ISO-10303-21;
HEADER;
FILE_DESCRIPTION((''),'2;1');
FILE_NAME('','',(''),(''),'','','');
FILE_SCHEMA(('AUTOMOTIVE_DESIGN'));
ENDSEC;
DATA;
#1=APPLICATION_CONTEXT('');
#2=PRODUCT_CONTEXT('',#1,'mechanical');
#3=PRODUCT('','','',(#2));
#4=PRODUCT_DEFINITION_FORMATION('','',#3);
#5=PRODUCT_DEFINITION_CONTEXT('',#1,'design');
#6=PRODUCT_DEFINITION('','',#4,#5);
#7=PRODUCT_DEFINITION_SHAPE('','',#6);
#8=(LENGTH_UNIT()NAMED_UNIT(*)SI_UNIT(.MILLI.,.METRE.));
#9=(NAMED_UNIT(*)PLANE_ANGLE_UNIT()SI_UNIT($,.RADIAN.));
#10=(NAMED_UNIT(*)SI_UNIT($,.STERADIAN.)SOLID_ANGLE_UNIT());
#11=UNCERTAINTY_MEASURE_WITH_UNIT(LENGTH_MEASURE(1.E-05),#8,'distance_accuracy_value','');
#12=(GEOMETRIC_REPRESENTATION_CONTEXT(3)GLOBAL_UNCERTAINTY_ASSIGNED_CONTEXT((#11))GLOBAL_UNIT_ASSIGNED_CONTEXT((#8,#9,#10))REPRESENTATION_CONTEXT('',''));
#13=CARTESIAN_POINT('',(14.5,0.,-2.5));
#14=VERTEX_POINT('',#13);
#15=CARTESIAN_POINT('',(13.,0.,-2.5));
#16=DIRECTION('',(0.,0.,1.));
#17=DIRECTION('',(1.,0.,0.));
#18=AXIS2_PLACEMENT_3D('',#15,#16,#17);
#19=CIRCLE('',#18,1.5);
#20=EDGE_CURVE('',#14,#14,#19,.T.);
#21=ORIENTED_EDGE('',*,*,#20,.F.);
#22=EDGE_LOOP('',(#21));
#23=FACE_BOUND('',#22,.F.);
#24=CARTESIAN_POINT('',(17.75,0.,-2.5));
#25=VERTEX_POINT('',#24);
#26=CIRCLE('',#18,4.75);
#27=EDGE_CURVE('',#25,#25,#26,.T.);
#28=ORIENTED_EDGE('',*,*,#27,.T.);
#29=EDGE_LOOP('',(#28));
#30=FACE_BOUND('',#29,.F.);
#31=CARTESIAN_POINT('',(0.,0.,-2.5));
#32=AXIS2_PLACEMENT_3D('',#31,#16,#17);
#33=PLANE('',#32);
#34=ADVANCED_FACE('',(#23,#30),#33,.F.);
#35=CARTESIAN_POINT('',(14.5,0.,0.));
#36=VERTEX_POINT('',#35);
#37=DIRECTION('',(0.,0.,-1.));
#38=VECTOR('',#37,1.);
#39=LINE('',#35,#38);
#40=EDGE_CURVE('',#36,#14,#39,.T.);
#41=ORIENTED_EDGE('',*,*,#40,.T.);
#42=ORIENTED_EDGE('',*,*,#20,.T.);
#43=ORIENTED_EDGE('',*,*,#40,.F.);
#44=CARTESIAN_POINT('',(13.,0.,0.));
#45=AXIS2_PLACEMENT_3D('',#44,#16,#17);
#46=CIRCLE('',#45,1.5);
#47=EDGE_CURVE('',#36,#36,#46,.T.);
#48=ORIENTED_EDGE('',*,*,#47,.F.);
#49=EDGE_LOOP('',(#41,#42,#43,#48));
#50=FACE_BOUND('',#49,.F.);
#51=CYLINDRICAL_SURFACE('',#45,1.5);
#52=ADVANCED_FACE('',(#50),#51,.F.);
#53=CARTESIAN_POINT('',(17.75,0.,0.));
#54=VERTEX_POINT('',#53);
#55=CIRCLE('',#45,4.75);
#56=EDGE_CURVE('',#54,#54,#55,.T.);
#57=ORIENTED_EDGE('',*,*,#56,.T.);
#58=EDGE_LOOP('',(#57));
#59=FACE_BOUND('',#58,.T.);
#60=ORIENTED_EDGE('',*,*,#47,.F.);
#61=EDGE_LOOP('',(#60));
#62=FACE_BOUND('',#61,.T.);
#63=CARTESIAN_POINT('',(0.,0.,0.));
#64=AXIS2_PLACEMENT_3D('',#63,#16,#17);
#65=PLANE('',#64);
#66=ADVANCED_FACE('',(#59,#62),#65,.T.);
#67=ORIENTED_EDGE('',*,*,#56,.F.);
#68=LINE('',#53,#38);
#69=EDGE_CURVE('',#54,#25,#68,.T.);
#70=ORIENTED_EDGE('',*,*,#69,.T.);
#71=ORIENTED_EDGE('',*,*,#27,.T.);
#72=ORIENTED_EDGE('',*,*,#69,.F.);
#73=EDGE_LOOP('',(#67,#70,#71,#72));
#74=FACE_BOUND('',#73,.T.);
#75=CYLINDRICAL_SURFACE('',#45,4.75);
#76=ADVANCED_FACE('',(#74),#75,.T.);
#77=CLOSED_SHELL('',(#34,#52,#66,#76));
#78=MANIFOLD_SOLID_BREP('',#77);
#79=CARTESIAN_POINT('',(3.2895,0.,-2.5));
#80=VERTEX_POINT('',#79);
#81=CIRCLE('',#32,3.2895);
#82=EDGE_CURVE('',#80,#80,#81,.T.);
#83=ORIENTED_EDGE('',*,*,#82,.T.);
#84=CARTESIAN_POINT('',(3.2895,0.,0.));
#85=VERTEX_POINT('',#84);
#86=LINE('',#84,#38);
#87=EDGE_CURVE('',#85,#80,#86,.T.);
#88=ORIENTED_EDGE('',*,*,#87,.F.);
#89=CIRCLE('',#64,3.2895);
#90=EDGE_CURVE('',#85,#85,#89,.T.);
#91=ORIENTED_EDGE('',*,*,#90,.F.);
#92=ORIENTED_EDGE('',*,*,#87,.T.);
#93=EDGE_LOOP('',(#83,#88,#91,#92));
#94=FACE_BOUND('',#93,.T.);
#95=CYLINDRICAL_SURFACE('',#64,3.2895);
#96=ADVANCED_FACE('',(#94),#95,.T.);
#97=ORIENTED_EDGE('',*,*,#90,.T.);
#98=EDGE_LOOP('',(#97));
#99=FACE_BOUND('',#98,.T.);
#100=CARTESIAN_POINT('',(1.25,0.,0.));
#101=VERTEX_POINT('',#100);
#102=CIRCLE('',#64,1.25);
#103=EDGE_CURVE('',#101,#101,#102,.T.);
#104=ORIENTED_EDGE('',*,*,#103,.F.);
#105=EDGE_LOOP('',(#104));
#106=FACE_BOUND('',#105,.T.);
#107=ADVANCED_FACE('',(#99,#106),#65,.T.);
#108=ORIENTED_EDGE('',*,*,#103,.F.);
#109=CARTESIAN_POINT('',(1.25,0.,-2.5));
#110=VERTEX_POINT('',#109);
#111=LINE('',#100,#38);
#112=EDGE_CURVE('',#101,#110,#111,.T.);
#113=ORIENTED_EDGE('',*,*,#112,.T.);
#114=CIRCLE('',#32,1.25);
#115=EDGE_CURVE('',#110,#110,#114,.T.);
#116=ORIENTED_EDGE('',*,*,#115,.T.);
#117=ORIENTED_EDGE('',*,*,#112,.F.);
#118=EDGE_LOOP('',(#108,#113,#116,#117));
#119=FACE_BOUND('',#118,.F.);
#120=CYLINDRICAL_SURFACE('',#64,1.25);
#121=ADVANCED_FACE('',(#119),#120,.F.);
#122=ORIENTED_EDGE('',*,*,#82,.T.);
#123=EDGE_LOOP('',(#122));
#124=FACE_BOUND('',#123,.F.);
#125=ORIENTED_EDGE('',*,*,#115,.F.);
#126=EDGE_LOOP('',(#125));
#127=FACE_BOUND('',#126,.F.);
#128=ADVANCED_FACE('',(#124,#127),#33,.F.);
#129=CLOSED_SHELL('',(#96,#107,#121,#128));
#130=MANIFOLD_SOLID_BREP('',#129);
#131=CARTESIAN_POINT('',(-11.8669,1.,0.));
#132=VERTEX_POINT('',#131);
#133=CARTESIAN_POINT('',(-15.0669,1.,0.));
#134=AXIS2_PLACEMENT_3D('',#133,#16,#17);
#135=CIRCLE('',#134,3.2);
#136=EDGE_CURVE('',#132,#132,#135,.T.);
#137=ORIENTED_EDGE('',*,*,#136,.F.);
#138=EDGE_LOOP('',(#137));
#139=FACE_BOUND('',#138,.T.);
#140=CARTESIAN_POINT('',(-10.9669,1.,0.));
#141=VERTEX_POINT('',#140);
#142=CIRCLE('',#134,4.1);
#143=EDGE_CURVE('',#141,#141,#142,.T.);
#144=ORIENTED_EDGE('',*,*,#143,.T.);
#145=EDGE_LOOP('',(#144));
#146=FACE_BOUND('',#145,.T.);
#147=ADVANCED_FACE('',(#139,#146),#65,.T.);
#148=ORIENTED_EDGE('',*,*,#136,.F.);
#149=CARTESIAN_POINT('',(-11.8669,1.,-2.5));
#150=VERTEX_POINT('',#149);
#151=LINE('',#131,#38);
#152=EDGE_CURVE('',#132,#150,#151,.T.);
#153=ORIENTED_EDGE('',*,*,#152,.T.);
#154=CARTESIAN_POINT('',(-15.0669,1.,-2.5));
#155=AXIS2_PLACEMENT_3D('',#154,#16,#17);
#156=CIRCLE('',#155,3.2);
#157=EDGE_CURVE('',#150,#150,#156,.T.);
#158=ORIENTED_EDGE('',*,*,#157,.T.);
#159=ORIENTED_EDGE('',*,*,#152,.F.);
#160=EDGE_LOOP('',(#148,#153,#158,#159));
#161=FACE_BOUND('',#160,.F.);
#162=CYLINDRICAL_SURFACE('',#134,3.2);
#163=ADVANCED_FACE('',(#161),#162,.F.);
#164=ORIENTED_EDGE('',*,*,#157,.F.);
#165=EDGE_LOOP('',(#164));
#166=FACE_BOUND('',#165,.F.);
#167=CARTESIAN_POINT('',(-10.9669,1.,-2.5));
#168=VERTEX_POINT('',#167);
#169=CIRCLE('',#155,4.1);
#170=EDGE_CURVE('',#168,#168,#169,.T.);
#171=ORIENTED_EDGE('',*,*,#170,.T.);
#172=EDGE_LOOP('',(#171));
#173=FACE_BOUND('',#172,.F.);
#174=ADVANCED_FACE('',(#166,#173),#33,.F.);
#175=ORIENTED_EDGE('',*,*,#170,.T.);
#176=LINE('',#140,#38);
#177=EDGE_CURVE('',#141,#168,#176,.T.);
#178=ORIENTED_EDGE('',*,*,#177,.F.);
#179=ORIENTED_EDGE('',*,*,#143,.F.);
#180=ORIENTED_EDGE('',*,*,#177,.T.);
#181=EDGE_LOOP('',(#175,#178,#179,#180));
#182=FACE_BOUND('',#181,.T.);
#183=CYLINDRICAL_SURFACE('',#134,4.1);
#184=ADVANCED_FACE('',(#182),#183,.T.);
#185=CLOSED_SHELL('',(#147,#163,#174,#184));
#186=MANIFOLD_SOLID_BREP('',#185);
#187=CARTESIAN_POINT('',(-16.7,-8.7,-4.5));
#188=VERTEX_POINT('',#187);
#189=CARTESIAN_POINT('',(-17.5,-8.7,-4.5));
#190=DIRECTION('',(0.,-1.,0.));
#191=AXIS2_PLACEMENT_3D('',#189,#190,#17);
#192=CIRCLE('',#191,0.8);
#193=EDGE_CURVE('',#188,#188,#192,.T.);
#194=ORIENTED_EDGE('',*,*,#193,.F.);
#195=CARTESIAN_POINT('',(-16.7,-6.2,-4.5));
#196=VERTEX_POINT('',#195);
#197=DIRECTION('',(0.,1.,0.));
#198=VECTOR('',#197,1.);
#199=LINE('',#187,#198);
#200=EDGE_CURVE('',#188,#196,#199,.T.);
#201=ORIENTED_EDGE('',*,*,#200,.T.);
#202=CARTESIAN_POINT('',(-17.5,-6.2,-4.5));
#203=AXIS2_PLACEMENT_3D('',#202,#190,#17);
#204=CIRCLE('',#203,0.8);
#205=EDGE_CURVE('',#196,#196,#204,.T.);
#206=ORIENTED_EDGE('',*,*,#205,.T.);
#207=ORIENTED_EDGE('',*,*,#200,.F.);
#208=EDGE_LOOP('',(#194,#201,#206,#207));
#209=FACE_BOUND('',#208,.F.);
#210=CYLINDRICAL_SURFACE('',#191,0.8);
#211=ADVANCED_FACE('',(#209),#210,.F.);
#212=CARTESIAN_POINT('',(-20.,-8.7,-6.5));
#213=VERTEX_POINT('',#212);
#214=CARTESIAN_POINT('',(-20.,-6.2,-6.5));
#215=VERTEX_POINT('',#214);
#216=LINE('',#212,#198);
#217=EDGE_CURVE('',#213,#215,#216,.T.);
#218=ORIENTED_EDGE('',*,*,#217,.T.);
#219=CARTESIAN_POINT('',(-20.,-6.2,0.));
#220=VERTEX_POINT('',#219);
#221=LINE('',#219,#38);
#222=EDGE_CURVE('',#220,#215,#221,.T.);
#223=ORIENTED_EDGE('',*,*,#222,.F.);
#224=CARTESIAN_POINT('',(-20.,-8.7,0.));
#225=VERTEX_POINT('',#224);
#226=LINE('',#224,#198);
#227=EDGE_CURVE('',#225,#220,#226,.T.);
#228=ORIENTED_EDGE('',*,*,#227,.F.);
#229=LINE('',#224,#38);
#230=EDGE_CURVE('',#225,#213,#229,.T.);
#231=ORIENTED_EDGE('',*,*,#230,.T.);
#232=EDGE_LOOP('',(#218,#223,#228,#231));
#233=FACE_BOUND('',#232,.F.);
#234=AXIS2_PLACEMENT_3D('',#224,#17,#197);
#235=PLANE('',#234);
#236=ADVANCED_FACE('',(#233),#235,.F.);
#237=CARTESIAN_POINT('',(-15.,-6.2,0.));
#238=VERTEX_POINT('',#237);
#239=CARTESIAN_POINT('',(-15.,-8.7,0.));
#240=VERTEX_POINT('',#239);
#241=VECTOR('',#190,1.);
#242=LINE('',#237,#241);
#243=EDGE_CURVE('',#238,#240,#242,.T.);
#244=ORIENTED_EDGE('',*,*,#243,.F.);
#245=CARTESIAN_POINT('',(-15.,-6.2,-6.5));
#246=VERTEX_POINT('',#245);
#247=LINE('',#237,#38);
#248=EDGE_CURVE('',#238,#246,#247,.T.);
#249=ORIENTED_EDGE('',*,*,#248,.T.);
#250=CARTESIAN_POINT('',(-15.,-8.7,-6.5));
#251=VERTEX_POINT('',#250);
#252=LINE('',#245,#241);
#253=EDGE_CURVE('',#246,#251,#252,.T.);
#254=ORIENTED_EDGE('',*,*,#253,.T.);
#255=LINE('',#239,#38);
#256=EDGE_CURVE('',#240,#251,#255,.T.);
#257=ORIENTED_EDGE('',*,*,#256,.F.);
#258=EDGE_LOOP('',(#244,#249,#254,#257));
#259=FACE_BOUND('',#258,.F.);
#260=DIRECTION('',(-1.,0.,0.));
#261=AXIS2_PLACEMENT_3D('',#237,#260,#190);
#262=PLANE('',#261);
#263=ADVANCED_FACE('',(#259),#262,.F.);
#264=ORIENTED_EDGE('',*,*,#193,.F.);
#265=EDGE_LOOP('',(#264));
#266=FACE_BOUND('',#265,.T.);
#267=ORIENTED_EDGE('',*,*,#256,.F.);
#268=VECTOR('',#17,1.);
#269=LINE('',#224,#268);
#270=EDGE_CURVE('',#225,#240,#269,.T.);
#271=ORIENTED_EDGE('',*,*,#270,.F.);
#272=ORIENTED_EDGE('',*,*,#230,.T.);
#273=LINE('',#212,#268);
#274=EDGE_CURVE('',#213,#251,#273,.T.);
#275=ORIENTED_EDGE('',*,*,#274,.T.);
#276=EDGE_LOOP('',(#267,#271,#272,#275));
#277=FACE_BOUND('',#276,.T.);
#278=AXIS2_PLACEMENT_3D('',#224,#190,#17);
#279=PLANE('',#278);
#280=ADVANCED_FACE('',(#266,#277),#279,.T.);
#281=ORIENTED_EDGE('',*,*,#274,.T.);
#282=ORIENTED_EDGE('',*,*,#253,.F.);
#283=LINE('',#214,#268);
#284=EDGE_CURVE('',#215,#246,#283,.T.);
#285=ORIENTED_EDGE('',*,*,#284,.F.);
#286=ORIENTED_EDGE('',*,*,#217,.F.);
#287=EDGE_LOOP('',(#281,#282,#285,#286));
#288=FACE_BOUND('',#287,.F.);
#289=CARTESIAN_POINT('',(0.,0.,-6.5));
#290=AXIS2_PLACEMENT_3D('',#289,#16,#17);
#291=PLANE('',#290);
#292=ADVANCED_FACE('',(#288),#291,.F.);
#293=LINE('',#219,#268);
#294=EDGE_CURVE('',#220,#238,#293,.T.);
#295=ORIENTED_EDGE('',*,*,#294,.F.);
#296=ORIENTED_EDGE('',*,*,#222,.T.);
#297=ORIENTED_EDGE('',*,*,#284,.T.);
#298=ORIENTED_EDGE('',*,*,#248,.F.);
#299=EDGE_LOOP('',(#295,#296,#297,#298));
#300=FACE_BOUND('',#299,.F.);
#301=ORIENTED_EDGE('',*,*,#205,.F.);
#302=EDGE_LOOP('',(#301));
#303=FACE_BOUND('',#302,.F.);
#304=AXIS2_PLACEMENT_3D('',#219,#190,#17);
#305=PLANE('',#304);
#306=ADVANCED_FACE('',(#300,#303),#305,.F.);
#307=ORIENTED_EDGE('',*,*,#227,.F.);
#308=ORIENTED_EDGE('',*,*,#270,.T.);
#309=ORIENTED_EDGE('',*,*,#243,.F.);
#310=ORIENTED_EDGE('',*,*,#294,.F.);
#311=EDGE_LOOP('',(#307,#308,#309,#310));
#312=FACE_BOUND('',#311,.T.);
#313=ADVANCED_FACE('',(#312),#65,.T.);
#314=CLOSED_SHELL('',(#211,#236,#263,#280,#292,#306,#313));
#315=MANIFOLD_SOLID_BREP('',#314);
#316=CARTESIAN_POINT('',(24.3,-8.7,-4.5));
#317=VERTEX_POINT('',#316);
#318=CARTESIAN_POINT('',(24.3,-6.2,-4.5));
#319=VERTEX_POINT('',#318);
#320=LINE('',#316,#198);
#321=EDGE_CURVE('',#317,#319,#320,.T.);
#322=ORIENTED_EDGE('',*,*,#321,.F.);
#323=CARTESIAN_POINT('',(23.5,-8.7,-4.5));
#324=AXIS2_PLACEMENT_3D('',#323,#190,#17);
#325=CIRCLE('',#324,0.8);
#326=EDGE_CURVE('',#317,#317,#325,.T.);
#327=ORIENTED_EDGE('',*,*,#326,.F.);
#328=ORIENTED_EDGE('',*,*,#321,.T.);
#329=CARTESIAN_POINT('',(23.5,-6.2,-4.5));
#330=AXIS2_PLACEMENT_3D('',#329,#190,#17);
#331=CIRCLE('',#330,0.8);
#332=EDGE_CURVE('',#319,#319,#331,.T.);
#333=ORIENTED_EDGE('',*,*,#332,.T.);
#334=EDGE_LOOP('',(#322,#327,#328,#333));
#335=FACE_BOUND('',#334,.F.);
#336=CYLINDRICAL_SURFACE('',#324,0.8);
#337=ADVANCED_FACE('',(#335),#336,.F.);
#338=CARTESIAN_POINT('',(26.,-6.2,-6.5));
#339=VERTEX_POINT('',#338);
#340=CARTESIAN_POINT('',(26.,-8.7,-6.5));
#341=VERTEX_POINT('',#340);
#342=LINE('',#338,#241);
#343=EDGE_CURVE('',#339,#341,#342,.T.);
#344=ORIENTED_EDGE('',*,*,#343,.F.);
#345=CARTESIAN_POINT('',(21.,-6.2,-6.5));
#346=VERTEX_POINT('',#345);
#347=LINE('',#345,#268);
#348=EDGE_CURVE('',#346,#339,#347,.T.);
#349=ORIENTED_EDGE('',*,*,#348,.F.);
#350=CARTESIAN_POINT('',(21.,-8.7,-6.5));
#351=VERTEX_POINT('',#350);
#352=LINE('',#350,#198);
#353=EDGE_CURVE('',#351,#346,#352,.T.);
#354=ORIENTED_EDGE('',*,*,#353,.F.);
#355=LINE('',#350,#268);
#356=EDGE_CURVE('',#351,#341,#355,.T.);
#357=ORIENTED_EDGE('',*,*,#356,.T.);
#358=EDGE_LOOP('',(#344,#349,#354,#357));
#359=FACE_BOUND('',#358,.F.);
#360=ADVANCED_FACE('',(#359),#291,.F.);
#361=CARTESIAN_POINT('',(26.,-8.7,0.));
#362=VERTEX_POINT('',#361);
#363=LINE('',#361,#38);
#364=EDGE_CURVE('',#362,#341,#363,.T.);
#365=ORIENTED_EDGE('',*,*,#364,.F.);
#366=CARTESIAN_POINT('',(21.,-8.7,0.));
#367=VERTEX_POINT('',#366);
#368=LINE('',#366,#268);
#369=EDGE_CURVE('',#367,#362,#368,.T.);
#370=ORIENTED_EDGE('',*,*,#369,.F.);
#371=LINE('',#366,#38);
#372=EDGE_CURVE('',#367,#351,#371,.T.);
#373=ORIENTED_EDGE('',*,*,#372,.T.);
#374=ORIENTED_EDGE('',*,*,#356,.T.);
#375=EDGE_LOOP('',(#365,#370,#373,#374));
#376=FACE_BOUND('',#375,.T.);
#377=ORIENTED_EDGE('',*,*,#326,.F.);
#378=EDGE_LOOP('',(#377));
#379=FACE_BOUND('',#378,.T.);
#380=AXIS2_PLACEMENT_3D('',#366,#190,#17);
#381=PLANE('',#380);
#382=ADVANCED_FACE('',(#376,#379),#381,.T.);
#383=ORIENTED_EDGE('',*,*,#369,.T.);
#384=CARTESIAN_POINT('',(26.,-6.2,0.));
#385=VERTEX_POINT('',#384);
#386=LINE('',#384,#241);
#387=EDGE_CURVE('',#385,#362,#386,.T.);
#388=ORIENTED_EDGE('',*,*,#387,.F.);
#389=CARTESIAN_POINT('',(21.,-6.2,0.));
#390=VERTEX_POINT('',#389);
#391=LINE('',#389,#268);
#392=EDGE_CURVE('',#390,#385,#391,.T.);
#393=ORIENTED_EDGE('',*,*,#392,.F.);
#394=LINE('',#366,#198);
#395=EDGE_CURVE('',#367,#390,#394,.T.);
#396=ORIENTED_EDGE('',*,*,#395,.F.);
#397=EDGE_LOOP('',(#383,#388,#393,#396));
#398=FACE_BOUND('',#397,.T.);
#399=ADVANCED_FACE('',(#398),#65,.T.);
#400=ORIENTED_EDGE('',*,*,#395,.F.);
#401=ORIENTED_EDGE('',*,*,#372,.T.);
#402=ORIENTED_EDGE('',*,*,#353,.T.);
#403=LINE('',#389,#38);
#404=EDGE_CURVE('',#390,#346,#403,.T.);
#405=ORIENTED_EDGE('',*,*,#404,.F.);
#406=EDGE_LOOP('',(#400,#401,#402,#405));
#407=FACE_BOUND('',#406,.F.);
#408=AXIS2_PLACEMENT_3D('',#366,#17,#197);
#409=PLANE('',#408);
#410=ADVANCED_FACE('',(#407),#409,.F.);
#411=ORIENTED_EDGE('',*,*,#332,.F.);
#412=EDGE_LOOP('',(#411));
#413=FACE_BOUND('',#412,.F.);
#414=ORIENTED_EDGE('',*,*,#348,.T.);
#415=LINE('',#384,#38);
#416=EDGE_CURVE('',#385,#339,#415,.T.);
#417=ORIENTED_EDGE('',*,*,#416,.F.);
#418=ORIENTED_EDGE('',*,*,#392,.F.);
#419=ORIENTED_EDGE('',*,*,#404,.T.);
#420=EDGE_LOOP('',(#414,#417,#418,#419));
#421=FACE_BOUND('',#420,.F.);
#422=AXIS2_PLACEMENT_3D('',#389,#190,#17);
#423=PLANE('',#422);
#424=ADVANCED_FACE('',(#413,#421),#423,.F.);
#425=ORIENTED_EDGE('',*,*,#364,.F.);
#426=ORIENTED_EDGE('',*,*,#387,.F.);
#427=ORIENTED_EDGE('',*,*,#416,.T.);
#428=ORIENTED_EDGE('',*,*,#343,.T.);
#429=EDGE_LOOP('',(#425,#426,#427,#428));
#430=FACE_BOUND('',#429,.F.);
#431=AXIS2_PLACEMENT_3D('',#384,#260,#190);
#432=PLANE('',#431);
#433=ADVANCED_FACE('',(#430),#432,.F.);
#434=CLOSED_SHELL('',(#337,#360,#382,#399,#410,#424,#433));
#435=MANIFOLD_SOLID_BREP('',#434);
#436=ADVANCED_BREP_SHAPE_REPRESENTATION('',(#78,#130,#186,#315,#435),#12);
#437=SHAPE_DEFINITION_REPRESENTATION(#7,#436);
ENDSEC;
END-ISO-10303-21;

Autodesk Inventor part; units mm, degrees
ref_plane "YZ Plane" through (0, 0, 0) normal (1, 0, 0) x (0, 1, 0)
ref_plane "XZ Plane" through (0, 0, 0) normal (0, 1, 0) x (-1, 0, 0)
ref_plane "XY Plane" through (0, 0, 0) normal (0, 0, 1) x (1, 0, 0)
sketch "スケッチ1" plane through (0, 0, 0) normal (0, 0, 1) x (1, 0, 0)
  circle A0 centre (0, 0) radius 10.65 construction
  line L0 (0, 0) -> (0, 1) construction
  line L1 (0, 0) -> (1, 0) construction
  circle A1 centre (13, 0) radius 2.25 construction
  circle A2 centre (-15.0669, 1) radius 4.35 construction
  circle A3 centre (0, 0) radius 11.5 construction
  line L2 (-25, -11.5) -> (25, -11.5) construction
  line L3 (-25, -9.7) -> (25, -9.7) construction
  line L4 (-25, -8.7) -> (25, -8.7) construction
  dimension "d0" = 1
  dimension "d2" = 1
  dimension "d3" = 21.3
  dimension "d5" = 4.5
  dimension "d6" = 0.1
  dimension "d7" = 8.7
  dimension "d8" = 0.1
  dimension "d9" = 23
  dimension "d10" = 50
  dimension "d11" = 1.8
  dimension "d12" = 1
  dimension "d46" = 12.5
  dimension "d47" = 11.5
sketch "スケッチ2" plane through (0, 0, 0) normal (0, 0, 1) x (1, 0, 0)
  circle A0 centre (-15.0669, 1) radius 4.35 construction
  line L0 (0, 0) -> (0, 1) construction
  circle A1 centre (0, 0) radius 10.65 construction
  circle A2 centre (0, 0) radius 11.5 construction
  line L1 (-25, -8.7) -> (25, -8.7) construction
  line L2 (-25, -9.7) -> (25, -9.7) construction
  line L3 (-25, -11.5) -> (25, -11.5) construction
  line L4 (0, 0) -> (1, 0) construction
  circle A3 centre (13, 0) radius 2.25 construction
  circle A4 centre (13, 0) radius 4.25 construction
  circle A5 centre (-15.0669, 1) radius 3.6 construction
  circle A6 centre (-15.0669, 1) radius 3 construction
  circle A7 centre (0, 0) radius 1.25 construction
  circle A8 centre (0, 0) radius 1.5 construction
  dimension "d13" = 8.5
  dimension "d14" = 7.2
  dimension "d15" = 6
  dimension "d27" = 2.5
  dimension "d28" = 3
sketch "スケッチ3" plane through (0, 0, 0) normal (0, 0, 1) x (1, 0, 0)
  circle A0 centre (-15.0669, 1) radius 4.35 construction
  line L0 (0, 0) -> (0, 1) construction
  line L1 (0, 0) -> (1, 0) construction
  line L2 (-25, -11.5) -> (25, -11.5) construction
  line L3 (-25, -9.7) -> (25, -9.7) construction
  line L4 (-25, -8.7) -> (25, -8.7) construction
  circle A1 centre (13, 0) radius 2.25 construction
  circle A2 centre (0, 0) radius 10.65 construction
  circle A3 centre (0, 0) radius 11.5 construction
  circle A4 centre (-15.0669, 1) radius 4.35 construction
  line L5 (0, 0) -> (0, 1) construction
  circle A5 centre (0, 0) radius 10.65 construction
  circle A6 centre (0, 0) radius 11.5 construction
  line L6 (-25, -8.7) -> (25, -8.7) construction
  line L7 (-25, -9.7) -> (25, -9.7) construction
  line L8 (-25, -11.5) -> (25, -11.5) construction
  line L9 (0, 0) -> (1, 0) construction
  circle A7 centre (13, 0) radius 2.25 construction
  circle A8 centre (13, 0) radius 4.25 construction
  circle A9 centre (-15.0669, 1) radius 3.6 construction
  circle A10 centre (-15.0669, 1) radius 3 construction
  line L10 (-20, -6.2) -> (-15, -6.2)
  line L11 (-15, -6.2) -> (-15, -8.7)
  line L12 (-20, -8.7) -> (-20, -6.2)
  line L13 (21, -6.2) -> (26, -6.2)
  line L14 (26, -6.2) -> (26, -8.7)
  line L15 (21, -8.7) -> (21, -6.2)
  line L16 (-20, -6.2) -> (-15, -8.7) construction
  line L17 (-20, -8.7) -> (-15, -6.2) construction
  line L18 (21, -6.2) -> (26, -8.7) construction
  line L19 (21, -8.7) -> (26, -6.2) construction
  line L20 (-20, -8.7) -> (-15, -8.7)
  line L21 (21, -8.7) -> (26, -8.7)
  circle A11 centre (-15.0669, 1) radius 3.2
  circle A12 centre (-15.0669, 1) radius 4.1
  circle A13 centre (13, 0) radius 4.75
  circle A14 centre (0, 0) radius 3.2895
  circle A15 centre (0, 0) radius 1.25 projected
  circle A16 centre (13, 0) radius 1.5
  point P0 (-17.5, -7.45)
  point P1 (23.5, -7.45)
  point P2 (15.3415, -6)
  point P3 (15, -6.1912)
  dimension "d17" = 5
  dimension "d18" = 5
  dimension "d19" = 2.5
  dimension "d20" = 2.5
  dimension "d22" = 20
  dimension "d23" = 26
  dimension "d24" = 0.2
  dimension "d25" = 0.5
  dimension "d26" = 0.5
  dimension "d31" = 3
  dimension "d39" = 41
extrude "押し出し1" add sketch "スケッチ3" against normal blind 6.5 contours L10 L11 L20 L12 | L13 L14 L21 L15
extrude "押し出し2" add sketch "スケッチ3" against normal blind 2.5 contours A12 | A13 | A14
ref_plane "作業平面1" through (21, -8.7, 0) normal (0, -1, 0) x (1, 0, 0)
sketch "スケッチ4" plane through (21, -8.7, 0) normal (0, -1, 0) x (1, 0, 0)
  line L0 (0, 0) -> (5, 0) projected
  line L1 (0, 0) -> (0, -6.5) projected
  line L2 (5, -6.5) -> (0, -6.5) projected
  line L3 (5, 0) -> (5, -6.5) projected
  line L4 (-41, 0) -> (-36, 0) projected
  line L5 (-41, 0) -> (-41, -6.5) projected
  line L6 (-36, -6.5) -> (-41, -6.5) projected
  line L7 (-36, 0) -> (-36, -6.5) projected
  line L8 (5, 0) -> (0, 0) projected
  line L9 (0, 0) -> (0, -6.5) projected
  line L10 (5, 0) -> (5, -6.5) projected
  line L11 (-41, 0) -> (-36, 0) projected
  circle A0 centre (2.5, -4.5) radius 0.8
  circle A1 centre (-38.5, -4.5) radius 0.8
  line L12 (-41, 0) -> (-41, -6.5) projected
  line L13 (-41, -2.5) -> (-36, -2.5)
  line L14 (0, -2.5) -> (5, -2.5)
  line L15 (-41, -2.5) -> (-36, -6.5) construction
  line L16 (-36, -6.5) -> (-41, -6.5) projected
  line L17 (-41, -6.5) -> (-36, -2.5) construction
  line L18 (0, -6.5) -> (5, -6.5) projected
  line L19 (0, -2.5) -> (5, -6.5) construction
  line L20 (0, -6.5) -> (5, -2.5) construction
  point P0 (-21, 0)
  dimension "d35" = 1.6
  dimension "d36" = 1.6
  dimension "d44" = 2.5
  dimension "d45" = 2.5
extrude "押し出し3" cut sketch "スケッチ4" against normal up to surface (2.5 mm away) contours A0 | A1
equation "\"d2\" = d0"
equation "\"d36\" = d35"
properties part number "motormount"
